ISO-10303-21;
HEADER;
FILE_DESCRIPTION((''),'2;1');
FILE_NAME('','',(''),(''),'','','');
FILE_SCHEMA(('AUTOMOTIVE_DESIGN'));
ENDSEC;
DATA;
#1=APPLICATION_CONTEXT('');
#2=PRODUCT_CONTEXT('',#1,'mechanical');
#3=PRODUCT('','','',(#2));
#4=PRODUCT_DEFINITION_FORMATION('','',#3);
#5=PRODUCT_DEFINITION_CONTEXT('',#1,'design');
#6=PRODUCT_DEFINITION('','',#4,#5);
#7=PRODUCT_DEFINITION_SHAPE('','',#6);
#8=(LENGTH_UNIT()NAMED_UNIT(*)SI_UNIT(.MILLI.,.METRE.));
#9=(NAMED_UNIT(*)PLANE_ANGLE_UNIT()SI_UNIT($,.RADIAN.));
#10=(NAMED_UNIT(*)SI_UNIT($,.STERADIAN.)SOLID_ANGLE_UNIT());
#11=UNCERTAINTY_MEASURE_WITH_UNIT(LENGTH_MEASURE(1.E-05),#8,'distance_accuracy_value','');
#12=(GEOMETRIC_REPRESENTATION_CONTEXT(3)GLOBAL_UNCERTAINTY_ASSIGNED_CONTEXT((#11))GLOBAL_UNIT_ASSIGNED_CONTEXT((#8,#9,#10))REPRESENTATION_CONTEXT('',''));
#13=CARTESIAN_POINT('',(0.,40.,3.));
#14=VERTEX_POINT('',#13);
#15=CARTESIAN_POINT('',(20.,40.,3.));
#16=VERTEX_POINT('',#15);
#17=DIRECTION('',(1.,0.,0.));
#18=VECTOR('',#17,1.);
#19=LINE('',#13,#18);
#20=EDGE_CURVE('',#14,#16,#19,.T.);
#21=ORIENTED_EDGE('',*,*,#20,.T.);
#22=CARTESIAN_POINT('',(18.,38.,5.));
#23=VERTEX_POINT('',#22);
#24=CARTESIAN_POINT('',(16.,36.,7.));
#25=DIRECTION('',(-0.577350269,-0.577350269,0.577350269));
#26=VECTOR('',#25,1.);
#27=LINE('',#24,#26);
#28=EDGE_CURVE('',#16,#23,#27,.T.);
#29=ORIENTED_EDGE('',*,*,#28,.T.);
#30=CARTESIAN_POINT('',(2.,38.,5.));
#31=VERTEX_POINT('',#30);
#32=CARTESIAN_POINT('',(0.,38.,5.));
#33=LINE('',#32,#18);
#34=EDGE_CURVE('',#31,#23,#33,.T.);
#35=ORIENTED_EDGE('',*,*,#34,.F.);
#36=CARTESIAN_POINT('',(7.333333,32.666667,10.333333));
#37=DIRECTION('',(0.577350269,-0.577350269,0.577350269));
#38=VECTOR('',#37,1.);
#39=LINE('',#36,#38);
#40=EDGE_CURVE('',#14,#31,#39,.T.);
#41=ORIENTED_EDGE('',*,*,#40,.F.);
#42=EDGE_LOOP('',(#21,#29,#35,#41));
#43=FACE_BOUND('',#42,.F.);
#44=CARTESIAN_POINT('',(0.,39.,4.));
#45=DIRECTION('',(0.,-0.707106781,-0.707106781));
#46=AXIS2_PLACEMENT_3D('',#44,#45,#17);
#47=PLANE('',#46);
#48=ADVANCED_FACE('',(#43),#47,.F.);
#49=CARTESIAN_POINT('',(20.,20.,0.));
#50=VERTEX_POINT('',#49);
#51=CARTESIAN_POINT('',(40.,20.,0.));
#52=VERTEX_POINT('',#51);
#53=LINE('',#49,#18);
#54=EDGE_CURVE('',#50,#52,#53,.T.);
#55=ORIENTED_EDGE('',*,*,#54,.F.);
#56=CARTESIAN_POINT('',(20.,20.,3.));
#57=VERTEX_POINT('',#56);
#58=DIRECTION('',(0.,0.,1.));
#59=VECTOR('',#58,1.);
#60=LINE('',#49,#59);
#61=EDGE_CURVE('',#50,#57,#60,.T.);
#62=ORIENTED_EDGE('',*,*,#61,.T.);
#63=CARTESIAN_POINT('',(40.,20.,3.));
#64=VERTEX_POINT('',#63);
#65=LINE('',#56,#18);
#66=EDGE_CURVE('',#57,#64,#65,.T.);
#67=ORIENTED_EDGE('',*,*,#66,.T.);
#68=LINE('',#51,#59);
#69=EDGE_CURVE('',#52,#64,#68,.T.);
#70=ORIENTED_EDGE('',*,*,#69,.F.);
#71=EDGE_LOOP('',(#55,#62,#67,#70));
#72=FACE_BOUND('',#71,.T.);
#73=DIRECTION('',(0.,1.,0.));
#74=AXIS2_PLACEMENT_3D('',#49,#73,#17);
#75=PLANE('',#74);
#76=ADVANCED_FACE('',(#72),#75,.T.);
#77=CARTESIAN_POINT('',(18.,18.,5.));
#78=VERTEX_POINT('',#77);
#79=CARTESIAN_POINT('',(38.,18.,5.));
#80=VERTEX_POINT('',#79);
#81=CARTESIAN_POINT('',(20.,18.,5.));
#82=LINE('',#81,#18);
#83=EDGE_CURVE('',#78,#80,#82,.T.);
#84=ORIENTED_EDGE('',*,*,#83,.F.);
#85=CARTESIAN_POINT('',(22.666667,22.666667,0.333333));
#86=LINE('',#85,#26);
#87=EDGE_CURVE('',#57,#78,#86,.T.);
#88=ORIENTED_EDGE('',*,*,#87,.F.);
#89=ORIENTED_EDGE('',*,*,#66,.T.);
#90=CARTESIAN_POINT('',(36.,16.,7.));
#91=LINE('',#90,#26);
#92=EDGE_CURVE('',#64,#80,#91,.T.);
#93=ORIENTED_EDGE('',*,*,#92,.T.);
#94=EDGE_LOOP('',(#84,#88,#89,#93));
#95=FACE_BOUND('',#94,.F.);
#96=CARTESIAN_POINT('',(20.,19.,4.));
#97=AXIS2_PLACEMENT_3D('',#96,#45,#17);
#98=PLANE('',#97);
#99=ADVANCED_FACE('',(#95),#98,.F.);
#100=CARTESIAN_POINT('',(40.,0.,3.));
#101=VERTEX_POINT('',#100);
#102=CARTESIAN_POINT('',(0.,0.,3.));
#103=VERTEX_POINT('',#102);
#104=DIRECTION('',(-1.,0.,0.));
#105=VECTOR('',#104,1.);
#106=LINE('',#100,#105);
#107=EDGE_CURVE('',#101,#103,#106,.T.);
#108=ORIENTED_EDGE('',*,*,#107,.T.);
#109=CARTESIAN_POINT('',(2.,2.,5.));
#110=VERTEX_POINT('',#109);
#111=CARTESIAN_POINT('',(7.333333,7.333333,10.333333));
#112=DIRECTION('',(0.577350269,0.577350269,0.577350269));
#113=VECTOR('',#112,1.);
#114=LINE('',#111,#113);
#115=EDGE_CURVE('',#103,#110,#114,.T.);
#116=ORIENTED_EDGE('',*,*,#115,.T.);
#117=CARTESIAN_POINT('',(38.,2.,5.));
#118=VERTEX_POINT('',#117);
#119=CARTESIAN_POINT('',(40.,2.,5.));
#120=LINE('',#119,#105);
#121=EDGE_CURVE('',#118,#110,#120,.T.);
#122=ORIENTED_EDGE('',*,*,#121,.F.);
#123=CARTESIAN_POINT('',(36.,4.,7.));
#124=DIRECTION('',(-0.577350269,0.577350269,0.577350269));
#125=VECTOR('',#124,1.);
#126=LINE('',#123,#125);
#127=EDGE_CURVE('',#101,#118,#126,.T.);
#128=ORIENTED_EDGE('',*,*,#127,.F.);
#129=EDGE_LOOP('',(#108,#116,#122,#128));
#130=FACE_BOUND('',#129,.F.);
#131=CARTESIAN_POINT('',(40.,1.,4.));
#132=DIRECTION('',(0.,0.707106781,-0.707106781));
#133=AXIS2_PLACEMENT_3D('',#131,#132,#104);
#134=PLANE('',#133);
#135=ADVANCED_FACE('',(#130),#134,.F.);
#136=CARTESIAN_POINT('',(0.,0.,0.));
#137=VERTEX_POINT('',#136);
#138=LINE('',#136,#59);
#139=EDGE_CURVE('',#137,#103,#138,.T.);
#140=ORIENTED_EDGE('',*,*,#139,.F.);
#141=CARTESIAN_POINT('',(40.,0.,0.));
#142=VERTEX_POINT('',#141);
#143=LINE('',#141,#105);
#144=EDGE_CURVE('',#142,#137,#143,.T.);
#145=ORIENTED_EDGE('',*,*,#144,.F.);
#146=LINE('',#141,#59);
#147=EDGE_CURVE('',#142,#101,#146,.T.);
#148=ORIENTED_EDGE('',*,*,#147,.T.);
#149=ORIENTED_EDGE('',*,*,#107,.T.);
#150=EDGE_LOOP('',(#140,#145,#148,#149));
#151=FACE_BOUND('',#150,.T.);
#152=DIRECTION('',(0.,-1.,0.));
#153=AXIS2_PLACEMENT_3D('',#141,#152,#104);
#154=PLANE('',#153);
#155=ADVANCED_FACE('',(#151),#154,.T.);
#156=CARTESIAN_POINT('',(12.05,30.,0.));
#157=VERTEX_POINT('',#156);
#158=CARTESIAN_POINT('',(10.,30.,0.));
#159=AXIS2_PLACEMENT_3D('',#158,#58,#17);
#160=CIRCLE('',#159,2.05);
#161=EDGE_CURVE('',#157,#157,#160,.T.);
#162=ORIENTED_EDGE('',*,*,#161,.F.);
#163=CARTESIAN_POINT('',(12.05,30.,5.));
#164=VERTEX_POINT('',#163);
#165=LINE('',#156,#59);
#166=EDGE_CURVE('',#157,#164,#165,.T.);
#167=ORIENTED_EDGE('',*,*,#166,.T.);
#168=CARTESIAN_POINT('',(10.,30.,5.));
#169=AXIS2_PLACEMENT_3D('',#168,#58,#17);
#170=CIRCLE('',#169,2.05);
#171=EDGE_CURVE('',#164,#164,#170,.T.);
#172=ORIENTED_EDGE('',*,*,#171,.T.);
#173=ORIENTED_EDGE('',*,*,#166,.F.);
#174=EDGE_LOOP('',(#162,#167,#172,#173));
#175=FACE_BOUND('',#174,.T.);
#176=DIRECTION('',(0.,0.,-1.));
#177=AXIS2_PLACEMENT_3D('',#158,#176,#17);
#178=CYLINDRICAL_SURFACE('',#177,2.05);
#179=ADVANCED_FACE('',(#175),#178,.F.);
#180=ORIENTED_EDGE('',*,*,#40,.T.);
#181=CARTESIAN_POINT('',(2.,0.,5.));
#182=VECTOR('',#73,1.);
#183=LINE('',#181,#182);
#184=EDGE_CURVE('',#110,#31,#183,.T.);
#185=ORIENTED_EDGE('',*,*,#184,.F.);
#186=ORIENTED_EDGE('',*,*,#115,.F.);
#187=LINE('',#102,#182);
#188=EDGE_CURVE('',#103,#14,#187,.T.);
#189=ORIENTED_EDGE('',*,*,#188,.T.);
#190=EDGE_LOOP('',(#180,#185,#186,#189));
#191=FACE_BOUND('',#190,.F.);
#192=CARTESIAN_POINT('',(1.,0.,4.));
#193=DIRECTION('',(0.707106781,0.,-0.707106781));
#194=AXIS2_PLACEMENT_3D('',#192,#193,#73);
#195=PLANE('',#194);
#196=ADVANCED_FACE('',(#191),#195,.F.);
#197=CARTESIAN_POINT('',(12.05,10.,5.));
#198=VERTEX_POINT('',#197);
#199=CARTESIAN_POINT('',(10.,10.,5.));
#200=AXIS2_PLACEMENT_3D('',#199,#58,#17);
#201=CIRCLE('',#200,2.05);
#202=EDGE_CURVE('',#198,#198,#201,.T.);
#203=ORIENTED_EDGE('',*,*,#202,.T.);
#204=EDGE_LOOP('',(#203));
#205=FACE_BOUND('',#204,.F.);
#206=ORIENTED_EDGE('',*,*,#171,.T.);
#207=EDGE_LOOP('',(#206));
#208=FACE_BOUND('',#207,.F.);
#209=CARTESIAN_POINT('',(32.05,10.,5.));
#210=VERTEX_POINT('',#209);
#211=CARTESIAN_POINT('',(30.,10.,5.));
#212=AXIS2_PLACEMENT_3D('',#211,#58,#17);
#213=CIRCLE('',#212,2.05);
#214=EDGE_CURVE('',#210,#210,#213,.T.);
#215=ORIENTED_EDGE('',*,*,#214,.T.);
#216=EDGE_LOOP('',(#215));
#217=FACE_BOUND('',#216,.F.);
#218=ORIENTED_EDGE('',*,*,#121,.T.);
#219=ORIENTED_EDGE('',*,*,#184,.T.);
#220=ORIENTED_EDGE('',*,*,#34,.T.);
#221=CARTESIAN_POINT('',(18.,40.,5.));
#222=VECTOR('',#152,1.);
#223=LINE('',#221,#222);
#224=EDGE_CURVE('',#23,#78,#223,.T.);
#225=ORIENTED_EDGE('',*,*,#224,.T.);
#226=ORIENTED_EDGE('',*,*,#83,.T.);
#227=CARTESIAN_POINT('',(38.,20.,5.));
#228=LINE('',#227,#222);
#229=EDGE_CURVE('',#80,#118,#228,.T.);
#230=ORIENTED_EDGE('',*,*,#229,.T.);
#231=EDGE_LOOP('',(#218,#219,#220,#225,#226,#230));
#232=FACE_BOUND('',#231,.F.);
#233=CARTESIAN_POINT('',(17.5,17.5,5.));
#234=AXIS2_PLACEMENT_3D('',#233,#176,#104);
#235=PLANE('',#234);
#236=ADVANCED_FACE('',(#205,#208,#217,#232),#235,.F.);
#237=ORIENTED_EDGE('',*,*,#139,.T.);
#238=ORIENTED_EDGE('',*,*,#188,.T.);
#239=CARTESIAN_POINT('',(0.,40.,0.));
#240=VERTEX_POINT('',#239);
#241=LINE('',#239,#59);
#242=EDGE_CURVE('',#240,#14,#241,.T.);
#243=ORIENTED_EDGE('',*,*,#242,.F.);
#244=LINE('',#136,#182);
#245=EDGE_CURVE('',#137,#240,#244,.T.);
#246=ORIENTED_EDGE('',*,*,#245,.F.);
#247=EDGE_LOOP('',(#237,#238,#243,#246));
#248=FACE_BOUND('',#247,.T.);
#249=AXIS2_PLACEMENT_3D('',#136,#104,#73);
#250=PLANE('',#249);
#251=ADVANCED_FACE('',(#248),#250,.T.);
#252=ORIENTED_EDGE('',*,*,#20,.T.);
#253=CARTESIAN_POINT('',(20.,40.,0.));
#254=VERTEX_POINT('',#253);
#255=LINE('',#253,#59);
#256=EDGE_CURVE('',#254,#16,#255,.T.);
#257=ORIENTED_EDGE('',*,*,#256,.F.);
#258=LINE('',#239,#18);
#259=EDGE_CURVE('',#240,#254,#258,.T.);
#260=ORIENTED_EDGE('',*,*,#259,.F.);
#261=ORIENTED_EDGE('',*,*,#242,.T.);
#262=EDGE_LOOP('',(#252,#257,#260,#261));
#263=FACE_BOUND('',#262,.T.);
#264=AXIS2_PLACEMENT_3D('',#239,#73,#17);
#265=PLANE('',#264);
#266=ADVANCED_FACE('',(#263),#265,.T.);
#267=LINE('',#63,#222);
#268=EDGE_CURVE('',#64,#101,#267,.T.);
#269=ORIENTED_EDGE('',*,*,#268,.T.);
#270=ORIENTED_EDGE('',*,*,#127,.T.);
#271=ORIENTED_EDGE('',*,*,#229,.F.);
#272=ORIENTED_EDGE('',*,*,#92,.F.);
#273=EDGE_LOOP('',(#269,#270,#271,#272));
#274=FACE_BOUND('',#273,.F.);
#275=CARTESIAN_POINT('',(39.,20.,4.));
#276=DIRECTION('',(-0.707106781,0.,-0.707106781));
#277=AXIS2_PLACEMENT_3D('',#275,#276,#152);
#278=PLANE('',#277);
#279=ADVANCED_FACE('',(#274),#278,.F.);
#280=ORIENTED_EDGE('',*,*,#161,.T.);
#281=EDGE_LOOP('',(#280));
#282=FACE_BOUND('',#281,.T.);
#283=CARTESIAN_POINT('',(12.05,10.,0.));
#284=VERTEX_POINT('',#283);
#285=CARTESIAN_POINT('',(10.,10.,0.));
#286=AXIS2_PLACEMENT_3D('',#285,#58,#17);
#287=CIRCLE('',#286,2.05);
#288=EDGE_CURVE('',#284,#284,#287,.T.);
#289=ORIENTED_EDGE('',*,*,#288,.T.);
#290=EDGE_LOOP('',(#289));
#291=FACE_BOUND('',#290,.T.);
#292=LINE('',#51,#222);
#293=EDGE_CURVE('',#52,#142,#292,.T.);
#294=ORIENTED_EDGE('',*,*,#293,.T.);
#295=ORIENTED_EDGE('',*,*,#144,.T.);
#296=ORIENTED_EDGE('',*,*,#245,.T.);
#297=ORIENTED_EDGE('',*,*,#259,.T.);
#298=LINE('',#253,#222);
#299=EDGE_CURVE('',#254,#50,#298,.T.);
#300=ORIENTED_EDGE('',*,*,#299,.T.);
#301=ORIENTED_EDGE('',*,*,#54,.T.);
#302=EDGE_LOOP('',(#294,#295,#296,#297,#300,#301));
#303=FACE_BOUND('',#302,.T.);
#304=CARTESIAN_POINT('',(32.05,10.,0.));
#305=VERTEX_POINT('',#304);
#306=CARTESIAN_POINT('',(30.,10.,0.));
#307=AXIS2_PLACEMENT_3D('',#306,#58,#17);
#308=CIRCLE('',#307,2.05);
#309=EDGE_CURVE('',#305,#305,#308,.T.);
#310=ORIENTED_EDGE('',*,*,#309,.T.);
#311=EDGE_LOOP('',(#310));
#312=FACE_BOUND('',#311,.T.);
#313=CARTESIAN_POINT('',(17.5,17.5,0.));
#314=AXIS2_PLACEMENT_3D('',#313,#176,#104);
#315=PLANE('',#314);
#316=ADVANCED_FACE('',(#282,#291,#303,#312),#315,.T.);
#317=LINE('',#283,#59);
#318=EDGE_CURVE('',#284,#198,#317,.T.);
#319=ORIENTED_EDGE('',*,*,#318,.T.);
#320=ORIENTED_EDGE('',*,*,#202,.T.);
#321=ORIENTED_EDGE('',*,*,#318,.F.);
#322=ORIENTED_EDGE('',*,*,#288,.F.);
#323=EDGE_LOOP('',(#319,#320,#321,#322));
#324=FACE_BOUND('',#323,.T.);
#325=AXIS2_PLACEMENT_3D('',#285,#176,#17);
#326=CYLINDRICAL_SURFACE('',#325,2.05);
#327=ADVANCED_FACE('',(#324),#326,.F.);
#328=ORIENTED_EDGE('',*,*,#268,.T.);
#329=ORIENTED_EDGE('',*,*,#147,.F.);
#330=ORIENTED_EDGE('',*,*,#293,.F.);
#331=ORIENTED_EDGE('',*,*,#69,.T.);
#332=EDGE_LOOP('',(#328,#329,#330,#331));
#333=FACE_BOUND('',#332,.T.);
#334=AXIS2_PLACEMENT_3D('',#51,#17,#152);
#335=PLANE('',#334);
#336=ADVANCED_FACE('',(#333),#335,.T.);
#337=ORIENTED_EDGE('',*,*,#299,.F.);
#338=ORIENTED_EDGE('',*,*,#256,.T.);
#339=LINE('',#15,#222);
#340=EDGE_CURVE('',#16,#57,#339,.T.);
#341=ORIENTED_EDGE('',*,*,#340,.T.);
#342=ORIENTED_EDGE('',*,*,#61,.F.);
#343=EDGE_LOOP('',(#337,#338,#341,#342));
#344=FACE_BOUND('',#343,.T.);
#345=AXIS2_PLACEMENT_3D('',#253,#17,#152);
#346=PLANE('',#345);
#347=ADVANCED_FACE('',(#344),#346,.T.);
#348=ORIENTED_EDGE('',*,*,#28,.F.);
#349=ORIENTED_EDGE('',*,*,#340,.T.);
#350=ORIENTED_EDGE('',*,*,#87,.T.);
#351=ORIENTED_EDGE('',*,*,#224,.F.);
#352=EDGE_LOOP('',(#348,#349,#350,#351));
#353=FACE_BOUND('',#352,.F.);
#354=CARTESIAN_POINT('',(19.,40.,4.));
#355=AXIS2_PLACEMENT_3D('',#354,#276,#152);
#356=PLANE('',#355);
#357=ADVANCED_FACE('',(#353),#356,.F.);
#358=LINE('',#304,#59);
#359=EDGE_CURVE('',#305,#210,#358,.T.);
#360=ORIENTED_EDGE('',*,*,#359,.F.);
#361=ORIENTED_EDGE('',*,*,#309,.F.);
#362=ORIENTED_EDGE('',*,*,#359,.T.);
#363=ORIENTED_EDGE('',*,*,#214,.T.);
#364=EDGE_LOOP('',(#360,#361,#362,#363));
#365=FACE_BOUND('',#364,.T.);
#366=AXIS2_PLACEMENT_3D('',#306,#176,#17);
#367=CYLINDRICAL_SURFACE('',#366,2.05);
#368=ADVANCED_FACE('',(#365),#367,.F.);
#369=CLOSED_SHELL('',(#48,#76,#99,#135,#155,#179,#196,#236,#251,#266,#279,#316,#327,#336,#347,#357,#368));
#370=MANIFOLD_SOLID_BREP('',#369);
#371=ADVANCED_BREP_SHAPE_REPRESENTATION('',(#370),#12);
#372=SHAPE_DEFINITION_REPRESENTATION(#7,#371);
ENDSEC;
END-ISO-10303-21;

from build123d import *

# Parameters (mm, degrees)
SKETCH_R      = 2.05
EXTRUDE_DEPTH = 5
CHAMFER_SIZE  = 2


with BuildPart() as part:
    # Sketch → Extrude (new body)
    with BuildSketch(Plane.XY):
        Polygon((0, 0), (0, 40), (20, 40), (20, 20), (40, 20), (40, 0), align=None)
        with Locations((10, 10)):
            Circle(SKETCH_R, mode=Mode.SUBTRACT)
        with Locations((30, 10)):
            Circle(SKETCH_R, mode=Mode.SUBTRACT)
        with Locations((10, 30)):
            Circle(SKETCH_R, mode=Mode.SUBTRACT)
    extrude(amount=EXTRUDE_DEPTH)

    # Chamfer
    chamfer_edges = [part.edges().sort_by_distance(p)[0] for p in [
        (0, 20, 5),
        (10, 40, 5),
        (20, 30, 5),
        (30, 20, 5),
        (40, 10, 5),
        (20, 0, 5),
    ]]
    chamfer(chamfer_edges, length=CHAMFER_SIZE)


solid = part.part
